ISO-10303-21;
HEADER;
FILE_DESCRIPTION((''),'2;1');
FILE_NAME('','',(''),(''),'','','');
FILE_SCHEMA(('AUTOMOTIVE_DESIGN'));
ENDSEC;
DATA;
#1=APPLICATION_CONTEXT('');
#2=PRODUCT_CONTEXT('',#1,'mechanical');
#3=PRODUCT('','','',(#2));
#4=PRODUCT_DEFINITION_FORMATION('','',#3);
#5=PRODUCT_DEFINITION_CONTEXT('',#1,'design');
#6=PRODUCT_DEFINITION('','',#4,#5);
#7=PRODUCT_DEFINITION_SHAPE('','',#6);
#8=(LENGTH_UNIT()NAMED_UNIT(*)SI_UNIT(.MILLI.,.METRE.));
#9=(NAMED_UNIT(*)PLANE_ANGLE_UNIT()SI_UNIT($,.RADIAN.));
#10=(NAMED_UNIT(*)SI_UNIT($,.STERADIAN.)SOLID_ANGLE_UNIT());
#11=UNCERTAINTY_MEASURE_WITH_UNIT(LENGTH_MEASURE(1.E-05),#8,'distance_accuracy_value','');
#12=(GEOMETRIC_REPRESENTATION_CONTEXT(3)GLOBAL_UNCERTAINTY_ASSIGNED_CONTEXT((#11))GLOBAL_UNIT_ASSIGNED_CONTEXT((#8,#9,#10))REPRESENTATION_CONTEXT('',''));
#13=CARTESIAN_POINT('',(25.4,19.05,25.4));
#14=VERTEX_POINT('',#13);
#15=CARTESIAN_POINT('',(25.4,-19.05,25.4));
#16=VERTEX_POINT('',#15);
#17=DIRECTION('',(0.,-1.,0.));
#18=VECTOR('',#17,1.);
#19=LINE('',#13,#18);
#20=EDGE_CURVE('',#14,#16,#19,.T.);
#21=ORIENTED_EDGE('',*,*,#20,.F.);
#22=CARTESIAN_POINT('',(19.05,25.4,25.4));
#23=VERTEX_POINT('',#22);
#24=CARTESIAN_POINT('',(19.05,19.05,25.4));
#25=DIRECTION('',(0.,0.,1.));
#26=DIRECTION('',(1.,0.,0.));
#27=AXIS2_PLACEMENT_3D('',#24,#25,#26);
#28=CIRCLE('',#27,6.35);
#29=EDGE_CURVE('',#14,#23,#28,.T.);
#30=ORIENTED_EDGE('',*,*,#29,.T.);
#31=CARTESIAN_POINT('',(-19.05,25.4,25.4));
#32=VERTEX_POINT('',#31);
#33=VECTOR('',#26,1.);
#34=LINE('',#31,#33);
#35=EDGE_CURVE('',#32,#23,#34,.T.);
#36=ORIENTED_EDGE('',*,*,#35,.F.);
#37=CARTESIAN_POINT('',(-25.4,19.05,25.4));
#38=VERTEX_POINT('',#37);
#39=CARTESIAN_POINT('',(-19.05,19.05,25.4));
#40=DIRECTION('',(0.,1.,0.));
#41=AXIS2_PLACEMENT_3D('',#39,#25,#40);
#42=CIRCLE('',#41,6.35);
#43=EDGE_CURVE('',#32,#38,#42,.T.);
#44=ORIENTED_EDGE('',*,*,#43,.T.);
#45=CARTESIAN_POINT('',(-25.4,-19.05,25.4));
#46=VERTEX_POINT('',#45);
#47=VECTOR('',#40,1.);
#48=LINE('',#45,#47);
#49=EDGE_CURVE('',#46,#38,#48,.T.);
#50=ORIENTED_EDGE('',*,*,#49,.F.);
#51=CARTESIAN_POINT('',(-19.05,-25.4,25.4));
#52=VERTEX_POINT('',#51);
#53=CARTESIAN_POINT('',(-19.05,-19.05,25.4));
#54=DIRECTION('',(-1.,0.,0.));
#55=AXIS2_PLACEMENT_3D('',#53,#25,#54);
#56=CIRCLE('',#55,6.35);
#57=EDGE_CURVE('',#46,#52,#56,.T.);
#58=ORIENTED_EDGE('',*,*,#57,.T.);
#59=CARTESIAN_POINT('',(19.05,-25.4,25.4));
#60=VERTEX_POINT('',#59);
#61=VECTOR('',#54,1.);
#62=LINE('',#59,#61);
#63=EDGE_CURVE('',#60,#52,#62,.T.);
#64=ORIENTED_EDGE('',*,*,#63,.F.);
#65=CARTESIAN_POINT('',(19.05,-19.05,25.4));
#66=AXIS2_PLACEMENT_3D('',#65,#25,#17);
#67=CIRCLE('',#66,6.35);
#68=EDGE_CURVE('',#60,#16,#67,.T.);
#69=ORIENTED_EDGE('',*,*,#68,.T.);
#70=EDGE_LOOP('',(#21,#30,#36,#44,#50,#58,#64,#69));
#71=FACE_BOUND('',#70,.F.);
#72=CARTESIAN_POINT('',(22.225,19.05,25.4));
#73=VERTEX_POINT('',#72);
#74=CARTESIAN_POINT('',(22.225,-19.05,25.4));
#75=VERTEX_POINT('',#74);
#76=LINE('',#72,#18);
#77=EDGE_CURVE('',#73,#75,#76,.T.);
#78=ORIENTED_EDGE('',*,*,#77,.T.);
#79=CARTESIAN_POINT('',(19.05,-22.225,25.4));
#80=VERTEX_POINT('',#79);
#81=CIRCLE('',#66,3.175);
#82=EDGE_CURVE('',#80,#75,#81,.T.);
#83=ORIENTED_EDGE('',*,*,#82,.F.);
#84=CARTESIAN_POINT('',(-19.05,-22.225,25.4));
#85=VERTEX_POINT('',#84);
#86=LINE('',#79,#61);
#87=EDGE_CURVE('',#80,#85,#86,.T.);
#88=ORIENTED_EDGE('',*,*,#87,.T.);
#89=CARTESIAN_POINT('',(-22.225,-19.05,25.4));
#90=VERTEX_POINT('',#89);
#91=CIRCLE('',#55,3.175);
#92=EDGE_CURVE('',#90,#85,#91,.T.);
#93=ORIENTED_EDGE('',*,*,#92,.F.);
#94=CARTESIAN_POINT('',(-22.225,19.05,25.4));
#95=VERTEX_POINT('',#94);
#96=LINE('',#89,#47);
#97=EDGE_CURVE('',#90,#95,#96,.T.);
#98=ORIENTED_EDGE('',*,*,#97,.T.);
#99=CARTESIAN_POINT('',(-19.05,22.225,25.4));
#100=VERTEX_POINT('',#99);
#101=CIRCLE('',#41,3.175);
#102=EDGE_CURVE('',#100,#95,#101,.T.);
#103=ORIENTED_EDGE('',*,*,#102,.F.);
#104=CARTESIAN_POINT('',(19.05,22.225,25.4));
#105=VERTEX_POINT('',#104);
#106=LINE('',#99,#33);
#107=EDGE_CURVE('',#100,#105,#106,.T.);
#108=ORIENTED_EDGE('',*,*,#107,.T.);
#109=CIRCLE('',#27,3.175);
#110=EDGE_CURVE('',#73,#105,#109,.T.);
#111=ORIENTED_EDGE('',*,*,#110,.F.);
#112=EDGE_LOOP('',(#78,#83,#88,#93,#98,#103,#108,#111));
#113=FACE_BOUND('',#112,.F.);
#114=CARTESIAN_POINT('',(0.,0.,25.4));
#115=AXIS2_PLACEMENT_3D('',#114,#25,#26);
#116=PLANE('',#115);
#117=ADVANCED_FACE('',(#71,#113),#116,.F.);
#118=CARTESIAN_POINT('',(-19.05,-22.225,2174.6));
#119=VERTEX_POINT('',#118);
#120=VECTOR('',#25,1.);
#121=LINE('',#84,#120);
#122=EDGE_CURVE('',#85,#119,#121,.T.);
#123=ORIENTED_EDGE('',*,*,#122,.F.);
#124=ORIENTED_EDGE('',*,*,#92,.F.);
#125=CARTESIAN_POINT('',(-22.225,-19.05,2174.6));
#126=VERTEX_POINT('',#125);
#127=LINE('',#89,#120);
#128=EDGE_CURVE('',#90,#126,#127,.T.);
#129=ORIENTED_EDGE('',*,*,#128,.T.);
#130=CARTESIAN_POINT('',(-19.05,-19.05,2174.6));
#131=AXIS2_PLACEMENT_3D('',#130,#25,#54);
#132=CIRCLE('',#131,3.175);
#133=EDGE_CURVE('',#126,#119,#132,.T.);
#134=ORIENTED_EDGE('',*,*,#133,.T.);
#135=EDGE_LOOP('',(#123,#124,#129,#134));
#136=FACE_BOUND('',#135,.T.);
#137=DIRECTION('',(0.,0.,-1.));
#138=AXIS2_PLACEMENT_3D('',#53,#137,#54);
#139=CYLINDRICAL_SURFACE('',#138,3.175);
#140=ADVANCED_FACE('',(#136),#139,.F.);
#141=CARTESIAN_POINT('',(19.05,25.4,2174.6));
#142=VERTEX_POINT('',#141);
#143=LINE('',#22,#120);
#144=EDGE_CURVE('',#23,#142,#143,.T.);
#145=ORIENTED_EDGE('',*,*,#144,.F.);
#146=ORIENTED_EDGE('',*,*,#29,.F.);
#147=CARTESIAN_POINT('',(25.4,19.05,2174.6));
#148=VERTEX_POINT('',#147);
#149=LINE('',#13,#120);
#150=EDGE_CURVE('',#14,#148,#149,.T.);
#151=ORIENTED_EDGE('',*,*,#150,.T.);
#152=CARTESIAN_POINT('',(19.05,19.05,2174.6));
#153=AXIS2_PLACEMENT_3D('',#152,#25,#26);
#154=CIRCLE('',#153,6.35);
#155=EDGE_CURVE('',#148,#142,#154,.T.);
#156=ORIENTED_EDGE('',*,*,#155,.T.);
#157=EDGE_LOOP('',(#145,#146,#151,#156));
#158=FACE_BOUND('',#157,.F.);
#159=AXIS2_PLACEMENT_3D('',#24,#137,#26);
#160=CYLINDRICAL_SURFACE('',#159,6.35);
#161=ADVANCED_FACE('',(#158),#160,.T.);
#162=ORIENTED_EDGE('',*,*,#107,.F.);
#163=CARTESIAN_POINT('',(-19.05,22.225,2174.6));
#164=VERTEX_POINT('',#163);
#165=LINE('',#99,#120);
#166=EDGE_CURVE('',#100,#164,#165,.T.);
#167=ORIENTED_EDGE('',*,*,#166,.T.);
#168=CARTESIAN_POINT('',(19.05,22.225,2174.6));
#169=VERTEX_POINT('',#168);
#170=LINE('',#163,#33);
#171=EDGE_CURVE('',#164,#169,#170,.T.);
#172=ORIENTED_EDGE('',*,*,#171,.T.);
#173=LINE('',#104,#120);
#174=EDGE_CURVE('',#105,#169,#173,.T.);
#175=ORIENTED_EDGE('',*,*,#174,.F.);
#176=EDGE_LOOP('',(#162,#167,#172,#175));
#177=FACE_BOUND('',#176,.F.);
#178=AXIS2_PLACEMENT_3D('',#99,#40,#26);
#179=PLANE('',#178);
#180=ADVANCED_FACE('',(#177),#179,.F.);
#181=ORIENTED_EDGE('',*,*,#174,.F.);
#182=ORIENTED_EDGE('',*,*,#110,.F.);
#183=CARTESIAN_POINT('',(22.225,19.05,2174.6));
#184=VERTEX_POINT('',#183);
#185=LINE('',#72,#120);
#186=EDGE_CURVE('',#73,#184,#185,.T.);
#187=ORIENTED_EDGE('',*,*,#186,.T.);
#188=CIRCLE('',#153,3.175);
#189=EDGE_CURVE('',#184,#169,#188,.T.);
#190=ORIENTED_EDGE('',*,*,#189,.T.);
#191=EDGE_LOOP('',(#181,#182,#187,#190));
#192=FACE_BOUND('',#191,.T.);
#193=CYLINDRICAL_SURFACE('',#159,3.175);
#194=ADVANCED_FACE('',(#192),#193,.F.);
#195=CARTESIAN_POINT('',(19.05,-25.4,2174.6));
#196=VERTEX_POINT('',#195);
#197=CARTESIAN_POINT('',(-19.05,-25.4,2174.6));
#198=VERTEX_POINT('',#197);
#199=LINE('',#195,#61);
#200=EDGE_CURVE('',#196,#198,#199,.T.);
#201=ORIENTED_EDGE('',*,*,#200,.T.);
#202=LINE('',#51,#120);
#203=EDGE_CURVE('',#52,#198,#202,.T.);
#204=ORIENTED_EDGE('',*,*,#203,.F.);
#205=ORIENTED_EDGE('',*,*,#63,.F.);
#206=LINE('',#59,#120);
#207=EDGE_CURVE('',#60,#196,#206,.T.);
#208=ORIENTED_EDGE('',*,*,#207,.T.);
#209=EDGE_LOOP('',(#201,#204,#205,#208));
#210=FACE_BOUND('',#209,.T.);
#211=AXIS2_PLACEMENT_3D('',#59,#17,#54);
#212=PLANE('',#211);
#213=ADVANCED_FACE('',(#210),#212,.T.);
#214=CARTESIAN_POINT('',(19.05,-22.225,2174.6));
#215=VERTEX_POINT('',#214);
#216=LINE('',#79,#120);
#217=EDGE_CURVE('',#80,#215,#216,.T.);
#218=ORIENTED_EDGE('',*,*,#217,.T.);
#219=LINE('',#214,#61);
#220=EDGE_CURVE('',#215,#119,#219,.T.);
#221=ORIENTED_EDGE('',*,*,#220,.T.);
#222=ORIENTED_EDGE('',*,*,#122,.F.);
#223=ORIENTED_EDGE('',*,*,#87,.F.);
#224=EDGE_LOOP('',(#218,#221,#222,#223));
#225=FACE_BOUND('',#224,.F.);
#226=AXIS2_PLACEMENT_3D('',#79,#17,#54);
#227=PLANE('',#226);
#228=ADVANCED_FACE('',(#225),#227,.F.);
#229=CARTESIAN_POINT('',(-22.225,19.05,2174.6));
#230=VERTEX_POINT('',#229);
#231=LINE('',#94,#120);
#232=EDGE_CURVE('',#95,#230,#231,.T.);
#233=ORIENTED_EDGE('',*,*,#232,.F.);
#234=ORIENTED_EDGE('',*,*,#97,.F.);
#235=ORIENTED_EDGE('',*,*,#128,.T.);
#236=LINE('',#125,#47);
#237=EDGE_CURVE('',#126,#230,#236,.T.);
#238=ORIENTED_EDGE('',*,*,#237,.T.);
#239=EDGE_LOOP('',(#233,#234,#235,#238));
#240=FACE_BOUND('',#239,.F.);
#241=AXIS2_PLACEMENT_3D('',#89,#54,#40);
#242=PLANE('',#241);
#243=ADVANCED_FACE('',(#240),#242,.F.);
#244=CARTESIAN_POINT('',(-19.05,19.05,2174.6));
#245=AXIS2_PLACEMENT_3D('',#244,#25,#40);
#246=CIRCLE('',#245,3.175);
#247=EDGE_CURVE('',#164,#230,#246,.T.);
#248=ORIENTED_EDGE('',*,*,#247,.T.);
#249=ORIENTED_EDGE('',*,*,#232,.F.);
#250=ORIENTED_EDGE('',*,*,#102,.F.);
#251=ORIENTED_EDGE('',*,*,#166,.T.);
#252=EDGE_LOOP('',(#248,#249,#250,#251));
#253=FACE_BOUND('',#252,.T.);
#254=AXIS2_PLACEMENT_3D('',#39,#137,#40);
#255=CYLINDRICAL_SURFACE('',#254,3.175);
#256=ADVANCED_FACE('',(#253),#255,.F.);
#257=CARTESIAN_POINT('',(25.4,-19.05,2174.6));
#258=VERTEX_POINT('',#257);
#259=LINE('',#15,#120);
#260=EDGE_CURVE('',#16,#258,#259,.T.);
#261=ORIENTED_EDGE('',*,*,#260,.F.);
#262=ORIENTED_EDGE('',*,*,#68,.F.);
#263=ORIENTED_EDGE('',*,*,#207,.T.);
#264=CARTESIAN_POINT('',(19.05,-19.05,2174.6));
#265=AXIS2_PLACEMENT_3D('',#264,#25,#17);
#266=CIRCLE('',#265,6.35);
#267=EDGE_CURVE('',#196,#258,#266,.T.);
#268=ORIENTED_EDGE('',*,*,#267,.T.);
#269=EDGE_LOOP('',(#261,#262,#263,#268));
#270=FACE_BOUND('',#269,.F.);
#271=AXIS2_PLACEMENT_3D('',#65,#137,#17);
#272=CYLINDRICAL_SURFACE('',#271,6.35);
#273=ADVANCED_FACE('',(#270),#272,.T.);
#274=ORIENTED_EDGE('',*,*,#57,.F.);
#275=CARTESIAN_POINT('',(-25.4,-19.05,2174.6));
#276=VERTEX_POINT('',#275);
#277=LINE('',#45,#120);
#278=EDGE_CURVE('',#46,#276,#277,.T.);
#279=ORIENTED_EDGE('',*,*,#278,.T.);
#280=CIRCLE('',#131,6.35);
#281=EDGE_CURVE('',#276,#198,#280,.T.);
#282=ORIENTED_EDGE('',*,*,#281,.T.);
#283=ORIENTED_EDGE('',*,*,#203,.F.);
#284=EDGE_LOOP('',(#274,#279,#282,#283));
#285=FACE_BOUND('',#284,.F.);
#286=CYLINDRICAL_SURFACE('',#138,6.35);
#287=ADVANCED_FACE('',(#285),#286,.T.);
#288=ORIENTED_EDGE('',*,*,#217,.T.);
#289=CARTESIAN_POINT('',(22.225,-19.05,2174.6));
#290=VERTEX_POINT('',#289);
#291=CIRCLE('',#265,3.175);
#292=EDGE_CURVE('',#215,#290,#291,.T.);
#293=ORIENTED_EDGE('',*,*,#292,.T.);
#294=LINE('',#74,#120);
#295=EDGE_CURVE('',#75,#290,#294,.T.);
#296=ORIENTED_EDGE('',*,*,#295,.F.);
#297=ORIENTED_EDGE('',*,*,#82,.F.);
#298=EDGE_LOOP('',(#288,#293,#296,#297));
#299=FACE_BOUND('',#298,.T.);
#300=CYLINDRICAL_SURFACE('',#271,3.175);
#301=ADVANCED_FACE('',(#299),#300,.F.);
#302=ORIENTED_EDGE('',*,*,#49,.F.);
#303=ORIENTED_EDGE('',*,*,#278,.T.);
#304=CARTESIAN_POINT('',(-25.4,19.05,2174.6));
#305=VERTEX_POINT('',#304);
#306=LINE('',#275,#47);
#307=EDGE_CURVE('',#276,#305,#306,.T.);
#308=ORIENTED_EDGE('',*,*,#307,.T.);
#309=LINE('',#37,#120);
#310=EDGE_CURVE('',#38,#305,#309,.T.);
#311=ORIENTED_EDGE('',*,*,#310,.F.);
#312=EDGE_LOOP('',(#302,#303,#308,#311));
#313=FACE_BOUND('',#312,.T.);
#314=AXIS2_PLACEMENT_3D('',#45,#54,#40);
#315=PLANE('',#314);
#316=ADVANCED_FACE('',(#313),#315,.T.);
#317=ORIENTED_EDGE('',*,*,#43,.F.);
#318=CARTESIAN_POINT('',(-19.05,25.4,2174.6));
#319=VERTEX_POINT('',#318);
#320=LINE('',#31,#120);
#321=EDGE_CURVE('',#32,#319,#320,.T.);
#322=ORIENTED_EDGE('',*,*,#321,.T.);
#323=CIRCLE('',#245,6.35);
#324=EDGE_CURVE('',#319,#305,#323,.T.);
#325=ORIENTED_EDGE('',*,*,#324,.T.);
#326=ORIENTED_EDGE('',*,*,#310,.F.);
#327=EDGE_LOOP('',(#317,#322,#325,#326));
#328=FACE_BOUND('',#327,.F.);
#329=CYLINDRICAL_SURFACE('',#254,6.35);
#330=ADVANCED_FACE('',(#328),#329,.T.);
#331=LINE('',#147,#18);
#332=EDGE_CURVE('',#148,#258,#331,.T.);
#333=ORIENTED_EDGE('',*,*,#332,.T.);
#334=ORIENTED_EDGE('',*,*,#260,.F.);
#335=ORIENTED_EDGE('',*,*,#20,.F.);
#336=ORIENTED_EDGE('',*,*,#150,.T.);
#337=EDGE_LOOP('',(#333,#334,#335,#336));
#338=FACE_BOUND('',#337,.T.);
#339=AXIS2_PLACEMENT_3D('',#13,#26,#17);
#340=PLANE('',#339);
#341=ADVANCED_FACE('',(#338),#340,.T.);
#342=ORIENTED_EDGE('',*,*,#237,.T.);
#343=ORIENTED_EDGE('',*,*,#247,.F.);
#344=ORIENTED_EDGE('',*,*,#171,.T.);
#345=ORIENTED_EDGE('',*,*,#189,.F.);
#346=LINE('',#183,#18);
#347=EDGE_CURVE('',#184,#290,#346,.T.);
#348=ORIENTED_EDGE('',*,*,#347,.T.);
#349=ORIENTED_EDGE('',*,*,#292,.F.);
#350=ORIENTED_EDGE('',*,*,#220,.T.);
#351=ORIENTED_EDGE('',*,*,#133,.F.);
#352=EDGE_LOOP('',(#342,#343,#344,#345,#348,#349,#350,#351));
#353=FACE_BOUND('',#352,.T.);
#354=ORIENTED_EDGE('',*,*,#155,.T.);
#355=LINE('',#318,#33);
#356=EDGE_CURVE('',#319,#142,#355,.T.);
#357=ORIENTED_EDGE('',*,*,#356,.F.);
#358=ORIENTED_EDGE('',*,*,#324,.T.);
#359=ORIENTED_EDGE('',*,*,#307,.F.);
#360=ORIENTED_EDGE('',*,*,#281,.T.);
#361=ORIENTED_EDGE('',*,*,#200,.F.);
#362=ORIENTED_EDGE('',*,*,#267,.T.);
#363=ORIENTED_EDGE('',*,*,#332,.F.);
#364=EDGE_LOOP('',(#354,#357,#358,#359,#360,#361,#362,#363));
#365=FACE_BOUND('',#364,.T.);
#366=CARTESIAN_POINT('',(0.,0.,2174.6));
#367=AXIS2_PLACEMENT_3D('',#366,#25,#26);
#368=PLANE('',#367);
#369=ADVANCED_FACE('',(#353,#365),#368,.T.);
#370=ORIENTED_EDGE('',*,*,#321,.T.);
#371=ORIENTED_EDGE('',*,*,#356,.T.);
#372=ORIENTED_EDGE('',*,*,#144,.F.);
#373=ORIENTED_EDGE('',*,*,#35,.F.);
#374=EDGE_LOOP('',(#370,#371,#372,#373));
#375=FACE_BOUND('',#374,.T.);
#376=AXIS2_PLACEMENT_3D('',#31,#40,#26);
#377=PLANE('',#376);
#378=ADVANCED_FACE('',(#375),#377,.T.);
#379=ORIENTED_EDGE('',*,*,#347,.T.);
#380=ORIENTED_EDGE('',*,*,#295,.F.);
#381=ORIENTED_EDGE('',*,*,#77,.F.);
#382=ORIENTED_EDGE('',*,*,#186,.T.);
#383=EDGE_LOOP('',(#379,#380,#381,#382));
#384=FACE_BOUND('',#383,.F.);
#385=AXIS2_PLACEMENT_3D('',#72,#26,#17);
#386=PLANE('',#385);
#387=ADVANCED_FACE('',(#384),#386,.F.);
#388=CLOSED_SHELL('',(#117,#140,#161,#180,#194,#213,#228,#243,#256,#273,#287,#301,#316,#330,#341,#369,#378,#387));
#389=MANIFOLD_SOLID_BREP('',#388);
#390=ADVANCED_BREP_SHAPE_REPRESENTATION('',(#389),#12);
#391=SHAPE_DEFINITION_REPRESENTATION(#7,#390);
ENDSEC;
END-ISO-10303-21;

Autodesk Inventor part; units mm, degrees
ref_plane "Plano inicial" through (0, 0, 25.4) normal (0, 0, 1) x (1, 0, 0)
ref_plane "Plano final" through (0, 0, 2174.6) normal (0, 0, 1) x (1, 0, 0)
sketch "Boceto" plane through (0, 0, 0) normal (0, 0, 1) x (1, 0, 0)
  line L0 (-25.4, -19.05) -> (-25.4, 19.05)
  line L1 (-19.05, 25.4) -> (19.05, 25.4)
  line L2 (25.4, 19.05) -> (25.4, -19.05)
  line L3 (19.05, -25.4) -> (-19.05, -25.4)
  arc A0 (-25.4, -19.05) -> (-19.05, -25.4) centre (-19.05, -19.05) ccw
  arc A1 (-19.05, 25.4) -> (-25.4, 19.05) centre (-19.05, 19.05) ccw
  arc A2 (25.4, 19.05) -> (19.05, 25.4) centre (19.05, 19.05) ccw
  arc A3 (19.05, -25.4) -> (25.4, -19.05) centre (19.05, -19.05) ccw
  arc A4 (-19.05, 22.225) -> (-22.225, 19.05) centre (-19.05, 19.05) ccw
  line L4 (-19.05, 22.225) -> (19.05, 22.225)
  arc A5 (22.225, 19.05) -> (19.05, 22.225) centre (19.05, 19.05) ccw
  line L5 (22.225, 19.05) -> (22.225, -19.05)
  arc A6 (19.05, -22.225) -> (22.225, -19.05) centre (19.05, -19.05) ccw
  line L6 (19.05, -22.225) -> (-19.05, -22.225)
  arc A7 (-22.225, -19.05) -> (-19.05, -22.225) centre (-19.05, -19.05) ccw
  line L7 (-22.225, -19.05) -> (-22.225, 19.05)
  line L8 (0, 37.4012) -> (0, -37.4012) construction
  line L9 (-37.4012, 0) -> (37.4012, 0) construction
  dimension "d10" = 50.8
  dimension "d11" = 50.8
  dimension "d12" = 3.175
  dimension "d15" = 25.4
  dimension "d16" = 25.4
  dimension "d17" = 6.35
extrude "Cuerpo" add sketch "Boceto" along normal up to surface (2149.2 mm away) from surface at 25.4
sketch "Sketch3" plane through (0, 0, 0) normal (0, 0, 1) x (1, 0, 0)
  line L0 (0, 0) -> (10, 0)
ref_plane "Work Plane3" through (0, 0, 0) normal (0, -1, 0) x (1, 0, 0)
ref_plane "Plano de trabajo4" through (-2980.95, -2890, 25.4) normal (0, 0, -1) x (-1, 0, 0)
split "Dividir1" plane through (-2980.95, -2890, 25.4) removes the side toward (0, 0, -1)
ref_plane "Plano de trabajo5" through (-3000, -2870.95, 2174.6) normal (0, 0, 1) x (1, 0, 0)
split "Dividir2" plane through (-3000, -2870.95, 2174.6) removes the side toward (0, 0, 1)
sketch "Sketch4" plane through (0, 0, 0) normal (0, -1, 0) x (1, 0, 0)
  line L0 (-2, 25.4) -> (12, 25.4) projected
  line L1 (-2, 2174.6) -> (12, 2174.6) projected
  dimension "d19" = 2149.2
equation "\"d10\" = G_H"
equation "\"d11\" = G_W"
equation "\"d12\" = G_T"
equation "\"d15\" = 0.5 * d10"
equation "\"d16\" = 0.5 * d11"
equation "\"d17\" = G_IR"
equation "\"d3\" = G_L"
equation "\"G_W\" = 50.8"
equation "\"G_H\" = 50.8"
equation "\"G_T\" = 3.175"
equation "\"G_IR\" = 6.35"
equation "\"G_L\" = d19"
equation "\"G_OFFSET_START\" = -25.4"
equation "\"G_OFFSET_END\" = -25.4"
equation "\"d13\" = -G_OFFSET_START"
equation "\"d14\" = G_OFFSET_END + B_L"
equation "\"B_L\" = 2200"
properties part number "AISC - 2 x 2 x 1/8 - 84,614" material "Acero, suave"
